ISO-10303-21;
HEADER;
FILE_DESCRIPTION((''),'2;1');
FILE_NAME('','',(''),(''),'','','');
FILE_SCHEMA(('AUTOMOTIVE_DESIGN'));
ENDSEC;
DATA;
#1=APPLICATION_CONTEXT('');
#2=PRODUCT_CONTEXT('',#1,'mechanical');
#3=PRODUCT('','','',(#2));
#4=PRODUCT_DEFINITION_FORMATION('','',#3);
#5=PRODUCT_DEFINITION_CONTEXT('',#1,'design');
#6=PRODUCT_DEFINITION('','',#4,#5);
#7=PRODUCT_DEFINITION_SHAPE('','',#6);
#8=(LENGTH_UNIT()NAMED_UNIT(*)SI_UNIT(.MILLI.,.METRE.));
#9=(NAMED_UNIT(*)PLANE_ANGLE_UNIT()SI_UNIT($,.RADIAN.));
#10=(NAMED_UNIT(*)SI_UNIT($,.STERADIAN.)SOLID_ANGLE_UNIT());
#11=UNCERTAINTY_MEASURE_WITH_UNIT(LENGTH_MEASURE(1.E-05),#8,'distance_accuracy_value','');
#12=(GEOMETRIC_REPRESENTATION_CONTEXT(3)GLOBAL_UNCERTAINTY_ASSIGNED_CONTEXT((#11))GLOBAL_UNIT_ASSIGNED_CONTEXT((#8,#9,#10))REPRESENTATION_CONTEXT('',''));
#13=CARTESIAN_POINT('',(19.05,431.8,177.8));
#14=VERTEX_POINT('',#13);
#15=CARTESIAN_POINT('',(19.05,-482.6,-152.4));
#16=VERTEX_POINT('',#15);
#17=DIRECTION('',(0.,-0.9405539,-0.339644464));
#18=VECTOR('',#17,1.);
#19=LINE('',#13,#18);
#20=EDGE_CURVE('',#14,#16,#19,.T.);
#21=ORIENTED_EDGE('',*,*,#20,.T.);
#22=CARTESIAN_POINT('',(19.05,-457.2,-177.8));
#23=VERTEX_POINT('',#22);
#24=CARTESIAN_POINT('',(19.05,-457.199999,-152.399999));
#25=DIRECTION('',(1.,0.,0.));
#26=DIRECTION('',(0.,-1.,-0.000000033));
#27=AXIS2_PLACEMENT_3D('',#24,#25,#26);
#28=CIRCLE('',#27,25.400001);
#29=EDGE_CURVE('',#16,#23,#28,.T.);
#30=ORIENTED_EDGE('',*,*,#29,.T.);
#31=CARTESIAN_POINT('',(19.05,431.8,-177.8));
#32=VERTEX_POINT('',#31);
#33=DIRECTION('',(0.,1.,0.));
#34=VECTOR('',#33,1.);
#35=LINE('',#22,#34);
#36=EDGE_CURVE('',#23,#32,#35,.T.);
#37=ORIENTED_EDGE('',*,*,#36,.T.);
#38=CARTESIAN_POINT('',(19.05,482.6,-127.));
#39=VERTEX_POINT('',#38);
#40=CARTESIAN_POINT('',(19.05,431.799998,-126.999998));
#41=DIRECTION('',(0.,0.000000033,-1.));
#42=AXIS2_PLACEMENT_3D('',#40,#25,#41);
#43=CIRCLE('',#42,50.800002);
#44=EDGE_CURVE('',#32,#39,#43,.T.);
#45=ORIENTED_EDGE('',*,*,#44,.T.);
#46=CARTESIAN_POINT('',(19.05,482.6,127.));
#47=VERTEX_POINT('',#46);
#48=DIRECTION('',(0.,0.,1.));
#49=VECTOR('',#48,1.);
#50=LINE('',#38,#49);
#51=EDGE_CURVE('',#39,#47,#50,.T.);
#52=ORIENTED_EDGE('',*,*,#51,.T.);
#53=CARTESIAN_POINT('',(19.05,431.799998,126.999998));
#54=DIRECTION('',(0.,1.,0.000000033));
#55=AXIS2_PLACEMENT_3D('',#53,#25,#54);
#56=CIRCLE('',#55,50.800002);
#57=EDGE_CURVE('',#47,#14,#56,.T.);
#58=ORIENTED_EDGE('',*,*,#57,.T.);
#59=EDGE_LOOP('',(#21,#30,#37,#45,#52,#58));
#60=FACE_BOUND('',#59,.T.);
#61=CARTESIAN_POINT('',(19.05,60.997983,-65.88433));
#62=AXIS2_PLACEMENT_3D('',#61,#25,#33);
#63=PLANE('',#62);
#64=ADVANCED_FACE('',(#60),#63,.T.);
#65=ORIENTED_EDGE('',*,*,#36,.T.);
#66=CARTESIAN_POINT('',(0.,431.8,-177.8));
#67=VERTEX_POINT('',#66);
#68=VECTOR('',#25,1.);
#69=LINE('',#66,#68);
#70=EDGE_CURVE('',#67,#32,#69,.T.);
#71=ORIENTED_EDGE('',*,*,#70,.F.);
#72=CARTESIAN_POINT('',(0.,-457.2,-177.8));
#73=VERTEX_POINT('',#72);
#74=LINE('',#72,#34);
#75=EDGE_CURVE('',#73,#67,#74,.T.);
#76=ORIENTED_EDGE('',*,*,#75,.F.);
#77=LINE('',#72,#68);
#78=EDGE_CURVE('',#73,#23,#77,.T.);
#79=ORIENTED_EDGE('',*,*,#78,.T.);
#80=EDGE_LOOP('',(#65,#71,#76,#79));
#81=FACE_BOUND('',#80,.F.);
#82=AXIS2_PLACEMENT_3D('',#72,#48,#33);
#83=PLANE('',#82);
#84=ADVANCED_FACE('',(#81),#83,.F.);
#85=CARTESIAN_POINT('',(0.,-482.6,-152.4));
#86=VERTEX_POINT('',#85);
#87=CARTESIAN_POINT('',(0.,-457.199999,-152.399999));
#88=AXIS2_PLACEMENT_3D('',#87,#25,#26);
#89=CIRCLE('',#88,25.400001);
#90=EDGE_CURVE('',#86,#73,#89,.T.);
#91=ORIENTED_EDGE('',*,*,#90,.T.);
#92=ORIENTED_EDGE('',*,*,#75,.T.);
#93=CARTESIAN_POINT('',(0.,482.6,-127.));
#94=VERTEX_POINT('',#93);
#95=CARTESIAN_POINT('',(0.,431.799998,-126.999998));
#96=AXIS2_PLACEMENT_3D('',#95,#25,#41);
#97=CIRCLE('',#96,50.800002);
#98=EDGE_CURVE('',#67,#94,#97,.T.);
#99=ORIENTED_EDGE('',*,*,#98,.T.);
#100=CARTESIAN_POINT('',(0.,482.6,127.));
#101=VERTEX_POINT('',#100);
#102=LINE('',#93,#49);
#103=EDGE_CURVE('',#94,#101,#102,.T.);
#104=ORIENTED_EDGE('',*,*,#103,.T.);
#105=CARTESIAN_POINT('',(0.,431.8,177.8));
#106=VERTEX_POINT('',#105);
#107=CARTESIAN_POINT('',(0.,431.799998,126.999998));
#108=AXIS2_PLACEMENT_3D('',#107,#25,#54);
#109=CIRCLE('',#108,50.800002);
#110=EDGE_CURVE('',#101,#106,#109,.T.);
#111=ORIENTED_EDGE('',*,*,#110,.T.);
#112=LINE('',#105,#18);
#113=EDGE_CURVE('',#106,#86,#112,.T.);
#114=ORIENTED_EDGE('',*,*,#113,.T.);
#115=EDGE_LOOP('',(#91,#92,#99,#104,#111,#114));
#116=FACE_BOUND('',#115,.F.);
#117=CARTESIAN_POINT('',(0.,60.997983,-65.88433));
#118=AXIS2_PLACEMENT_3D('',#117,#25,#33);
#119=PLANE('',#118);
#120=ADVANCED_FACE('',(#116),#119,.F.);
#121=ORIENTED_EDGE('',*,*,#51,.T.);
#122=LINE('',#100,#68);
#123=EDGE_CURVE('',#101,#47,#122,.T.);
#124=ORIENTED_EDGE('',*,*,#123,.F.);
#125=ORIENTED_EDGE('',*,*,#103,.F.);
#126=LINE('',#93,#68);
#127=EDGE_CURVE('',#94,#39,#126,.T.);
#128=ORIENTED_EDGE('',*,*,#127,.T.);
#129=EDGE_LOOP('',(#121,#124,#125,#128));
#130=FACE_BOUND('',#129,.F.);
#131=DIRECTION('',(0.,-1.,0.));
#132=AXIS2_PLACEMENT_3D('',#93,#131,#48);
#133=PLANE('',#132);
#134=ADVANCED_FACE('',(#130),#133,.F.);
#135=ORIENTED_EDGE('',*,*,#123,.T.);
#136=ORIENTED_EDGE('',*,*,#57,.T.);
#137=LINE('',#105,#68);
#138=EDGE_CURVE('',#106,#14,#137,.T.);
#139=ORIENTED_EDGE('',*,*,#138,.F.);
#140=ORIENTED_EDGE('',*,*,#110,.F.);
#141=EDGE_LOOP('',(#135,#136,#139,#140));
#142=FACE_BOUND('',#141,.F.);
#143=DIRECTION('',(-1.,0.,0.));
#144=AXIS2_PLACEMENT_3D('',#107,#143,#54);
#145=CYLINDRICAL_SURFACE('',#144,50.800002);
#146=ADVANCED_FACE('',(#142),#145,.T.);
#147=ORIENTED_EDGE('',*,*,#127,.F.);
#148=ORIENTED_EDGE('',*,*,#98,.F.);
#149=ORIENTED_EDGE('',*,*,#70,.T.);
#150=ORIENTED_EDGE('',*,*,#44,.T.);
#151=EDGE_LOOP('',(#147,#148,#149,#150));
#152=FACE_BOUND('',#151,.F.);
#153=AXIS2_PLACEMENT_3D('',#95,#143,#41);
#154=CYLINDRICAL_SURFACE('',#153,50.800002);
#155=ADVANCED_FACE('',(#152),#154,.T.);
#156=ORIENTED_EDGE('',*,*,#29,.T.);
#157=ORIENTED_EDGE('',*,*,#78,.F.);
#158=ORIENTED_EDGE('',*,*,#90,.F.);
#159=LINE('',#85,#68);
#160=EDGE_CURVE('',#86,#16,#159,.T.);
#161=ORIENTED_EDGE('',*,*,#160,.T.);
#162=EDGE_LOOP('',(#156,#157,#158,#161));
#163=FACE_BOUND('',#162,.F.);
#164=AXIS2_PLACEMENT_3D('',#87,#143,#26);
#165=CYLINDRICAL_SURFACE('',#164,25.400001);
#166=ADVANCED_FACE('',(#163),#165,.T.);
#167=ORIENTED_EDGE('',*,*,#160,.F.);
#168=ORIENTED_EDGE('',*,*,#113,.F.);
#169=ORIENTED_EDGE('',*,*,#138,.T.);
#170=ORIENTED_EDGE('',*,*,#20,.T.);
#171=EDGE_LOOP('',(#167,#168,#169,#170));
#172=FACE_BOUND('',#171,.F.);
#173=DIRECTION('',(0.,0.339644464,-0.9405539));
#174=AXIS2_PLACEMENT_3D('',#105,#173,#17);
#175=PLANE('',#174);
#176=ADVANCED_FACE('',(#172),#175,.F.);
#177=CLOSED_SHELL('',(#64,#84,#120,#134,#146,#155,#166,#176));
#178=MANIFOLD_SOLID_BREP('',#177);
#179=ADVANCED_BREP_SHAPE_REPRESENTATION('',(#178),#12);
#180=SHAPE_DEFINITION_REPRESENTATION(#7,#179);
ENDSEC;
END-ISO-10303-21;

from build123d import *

# Parameters (mm, degrees)
F1_DEPTH = 19.05


with BuildPart() as f1:
    # F0 (on Right) → F1 (new body)
    with BuildSketch(Plane.YZ):
        with BuildLine():
            ThreePointArc((482.6, 127), (467.721024, 162.921024), (431.8, 177.8))
            Line((431.8, 177.8), (-482.6, -152.4))
            ThreePointArc((-482.6, -152.4), (-475.160512, -170.360512), (-457.2, -177.8))
            Line((-457.2, -177.8), (431.8, -177.8))
            ThreePointArc((431.8, -177.8), (467.721024, -162.921024), (482.6, -127))
            Line((482.6, -127), (482.6, 127))
        make_face()
    extrude(amount=F1_DEPTH)


solid = f1.part
